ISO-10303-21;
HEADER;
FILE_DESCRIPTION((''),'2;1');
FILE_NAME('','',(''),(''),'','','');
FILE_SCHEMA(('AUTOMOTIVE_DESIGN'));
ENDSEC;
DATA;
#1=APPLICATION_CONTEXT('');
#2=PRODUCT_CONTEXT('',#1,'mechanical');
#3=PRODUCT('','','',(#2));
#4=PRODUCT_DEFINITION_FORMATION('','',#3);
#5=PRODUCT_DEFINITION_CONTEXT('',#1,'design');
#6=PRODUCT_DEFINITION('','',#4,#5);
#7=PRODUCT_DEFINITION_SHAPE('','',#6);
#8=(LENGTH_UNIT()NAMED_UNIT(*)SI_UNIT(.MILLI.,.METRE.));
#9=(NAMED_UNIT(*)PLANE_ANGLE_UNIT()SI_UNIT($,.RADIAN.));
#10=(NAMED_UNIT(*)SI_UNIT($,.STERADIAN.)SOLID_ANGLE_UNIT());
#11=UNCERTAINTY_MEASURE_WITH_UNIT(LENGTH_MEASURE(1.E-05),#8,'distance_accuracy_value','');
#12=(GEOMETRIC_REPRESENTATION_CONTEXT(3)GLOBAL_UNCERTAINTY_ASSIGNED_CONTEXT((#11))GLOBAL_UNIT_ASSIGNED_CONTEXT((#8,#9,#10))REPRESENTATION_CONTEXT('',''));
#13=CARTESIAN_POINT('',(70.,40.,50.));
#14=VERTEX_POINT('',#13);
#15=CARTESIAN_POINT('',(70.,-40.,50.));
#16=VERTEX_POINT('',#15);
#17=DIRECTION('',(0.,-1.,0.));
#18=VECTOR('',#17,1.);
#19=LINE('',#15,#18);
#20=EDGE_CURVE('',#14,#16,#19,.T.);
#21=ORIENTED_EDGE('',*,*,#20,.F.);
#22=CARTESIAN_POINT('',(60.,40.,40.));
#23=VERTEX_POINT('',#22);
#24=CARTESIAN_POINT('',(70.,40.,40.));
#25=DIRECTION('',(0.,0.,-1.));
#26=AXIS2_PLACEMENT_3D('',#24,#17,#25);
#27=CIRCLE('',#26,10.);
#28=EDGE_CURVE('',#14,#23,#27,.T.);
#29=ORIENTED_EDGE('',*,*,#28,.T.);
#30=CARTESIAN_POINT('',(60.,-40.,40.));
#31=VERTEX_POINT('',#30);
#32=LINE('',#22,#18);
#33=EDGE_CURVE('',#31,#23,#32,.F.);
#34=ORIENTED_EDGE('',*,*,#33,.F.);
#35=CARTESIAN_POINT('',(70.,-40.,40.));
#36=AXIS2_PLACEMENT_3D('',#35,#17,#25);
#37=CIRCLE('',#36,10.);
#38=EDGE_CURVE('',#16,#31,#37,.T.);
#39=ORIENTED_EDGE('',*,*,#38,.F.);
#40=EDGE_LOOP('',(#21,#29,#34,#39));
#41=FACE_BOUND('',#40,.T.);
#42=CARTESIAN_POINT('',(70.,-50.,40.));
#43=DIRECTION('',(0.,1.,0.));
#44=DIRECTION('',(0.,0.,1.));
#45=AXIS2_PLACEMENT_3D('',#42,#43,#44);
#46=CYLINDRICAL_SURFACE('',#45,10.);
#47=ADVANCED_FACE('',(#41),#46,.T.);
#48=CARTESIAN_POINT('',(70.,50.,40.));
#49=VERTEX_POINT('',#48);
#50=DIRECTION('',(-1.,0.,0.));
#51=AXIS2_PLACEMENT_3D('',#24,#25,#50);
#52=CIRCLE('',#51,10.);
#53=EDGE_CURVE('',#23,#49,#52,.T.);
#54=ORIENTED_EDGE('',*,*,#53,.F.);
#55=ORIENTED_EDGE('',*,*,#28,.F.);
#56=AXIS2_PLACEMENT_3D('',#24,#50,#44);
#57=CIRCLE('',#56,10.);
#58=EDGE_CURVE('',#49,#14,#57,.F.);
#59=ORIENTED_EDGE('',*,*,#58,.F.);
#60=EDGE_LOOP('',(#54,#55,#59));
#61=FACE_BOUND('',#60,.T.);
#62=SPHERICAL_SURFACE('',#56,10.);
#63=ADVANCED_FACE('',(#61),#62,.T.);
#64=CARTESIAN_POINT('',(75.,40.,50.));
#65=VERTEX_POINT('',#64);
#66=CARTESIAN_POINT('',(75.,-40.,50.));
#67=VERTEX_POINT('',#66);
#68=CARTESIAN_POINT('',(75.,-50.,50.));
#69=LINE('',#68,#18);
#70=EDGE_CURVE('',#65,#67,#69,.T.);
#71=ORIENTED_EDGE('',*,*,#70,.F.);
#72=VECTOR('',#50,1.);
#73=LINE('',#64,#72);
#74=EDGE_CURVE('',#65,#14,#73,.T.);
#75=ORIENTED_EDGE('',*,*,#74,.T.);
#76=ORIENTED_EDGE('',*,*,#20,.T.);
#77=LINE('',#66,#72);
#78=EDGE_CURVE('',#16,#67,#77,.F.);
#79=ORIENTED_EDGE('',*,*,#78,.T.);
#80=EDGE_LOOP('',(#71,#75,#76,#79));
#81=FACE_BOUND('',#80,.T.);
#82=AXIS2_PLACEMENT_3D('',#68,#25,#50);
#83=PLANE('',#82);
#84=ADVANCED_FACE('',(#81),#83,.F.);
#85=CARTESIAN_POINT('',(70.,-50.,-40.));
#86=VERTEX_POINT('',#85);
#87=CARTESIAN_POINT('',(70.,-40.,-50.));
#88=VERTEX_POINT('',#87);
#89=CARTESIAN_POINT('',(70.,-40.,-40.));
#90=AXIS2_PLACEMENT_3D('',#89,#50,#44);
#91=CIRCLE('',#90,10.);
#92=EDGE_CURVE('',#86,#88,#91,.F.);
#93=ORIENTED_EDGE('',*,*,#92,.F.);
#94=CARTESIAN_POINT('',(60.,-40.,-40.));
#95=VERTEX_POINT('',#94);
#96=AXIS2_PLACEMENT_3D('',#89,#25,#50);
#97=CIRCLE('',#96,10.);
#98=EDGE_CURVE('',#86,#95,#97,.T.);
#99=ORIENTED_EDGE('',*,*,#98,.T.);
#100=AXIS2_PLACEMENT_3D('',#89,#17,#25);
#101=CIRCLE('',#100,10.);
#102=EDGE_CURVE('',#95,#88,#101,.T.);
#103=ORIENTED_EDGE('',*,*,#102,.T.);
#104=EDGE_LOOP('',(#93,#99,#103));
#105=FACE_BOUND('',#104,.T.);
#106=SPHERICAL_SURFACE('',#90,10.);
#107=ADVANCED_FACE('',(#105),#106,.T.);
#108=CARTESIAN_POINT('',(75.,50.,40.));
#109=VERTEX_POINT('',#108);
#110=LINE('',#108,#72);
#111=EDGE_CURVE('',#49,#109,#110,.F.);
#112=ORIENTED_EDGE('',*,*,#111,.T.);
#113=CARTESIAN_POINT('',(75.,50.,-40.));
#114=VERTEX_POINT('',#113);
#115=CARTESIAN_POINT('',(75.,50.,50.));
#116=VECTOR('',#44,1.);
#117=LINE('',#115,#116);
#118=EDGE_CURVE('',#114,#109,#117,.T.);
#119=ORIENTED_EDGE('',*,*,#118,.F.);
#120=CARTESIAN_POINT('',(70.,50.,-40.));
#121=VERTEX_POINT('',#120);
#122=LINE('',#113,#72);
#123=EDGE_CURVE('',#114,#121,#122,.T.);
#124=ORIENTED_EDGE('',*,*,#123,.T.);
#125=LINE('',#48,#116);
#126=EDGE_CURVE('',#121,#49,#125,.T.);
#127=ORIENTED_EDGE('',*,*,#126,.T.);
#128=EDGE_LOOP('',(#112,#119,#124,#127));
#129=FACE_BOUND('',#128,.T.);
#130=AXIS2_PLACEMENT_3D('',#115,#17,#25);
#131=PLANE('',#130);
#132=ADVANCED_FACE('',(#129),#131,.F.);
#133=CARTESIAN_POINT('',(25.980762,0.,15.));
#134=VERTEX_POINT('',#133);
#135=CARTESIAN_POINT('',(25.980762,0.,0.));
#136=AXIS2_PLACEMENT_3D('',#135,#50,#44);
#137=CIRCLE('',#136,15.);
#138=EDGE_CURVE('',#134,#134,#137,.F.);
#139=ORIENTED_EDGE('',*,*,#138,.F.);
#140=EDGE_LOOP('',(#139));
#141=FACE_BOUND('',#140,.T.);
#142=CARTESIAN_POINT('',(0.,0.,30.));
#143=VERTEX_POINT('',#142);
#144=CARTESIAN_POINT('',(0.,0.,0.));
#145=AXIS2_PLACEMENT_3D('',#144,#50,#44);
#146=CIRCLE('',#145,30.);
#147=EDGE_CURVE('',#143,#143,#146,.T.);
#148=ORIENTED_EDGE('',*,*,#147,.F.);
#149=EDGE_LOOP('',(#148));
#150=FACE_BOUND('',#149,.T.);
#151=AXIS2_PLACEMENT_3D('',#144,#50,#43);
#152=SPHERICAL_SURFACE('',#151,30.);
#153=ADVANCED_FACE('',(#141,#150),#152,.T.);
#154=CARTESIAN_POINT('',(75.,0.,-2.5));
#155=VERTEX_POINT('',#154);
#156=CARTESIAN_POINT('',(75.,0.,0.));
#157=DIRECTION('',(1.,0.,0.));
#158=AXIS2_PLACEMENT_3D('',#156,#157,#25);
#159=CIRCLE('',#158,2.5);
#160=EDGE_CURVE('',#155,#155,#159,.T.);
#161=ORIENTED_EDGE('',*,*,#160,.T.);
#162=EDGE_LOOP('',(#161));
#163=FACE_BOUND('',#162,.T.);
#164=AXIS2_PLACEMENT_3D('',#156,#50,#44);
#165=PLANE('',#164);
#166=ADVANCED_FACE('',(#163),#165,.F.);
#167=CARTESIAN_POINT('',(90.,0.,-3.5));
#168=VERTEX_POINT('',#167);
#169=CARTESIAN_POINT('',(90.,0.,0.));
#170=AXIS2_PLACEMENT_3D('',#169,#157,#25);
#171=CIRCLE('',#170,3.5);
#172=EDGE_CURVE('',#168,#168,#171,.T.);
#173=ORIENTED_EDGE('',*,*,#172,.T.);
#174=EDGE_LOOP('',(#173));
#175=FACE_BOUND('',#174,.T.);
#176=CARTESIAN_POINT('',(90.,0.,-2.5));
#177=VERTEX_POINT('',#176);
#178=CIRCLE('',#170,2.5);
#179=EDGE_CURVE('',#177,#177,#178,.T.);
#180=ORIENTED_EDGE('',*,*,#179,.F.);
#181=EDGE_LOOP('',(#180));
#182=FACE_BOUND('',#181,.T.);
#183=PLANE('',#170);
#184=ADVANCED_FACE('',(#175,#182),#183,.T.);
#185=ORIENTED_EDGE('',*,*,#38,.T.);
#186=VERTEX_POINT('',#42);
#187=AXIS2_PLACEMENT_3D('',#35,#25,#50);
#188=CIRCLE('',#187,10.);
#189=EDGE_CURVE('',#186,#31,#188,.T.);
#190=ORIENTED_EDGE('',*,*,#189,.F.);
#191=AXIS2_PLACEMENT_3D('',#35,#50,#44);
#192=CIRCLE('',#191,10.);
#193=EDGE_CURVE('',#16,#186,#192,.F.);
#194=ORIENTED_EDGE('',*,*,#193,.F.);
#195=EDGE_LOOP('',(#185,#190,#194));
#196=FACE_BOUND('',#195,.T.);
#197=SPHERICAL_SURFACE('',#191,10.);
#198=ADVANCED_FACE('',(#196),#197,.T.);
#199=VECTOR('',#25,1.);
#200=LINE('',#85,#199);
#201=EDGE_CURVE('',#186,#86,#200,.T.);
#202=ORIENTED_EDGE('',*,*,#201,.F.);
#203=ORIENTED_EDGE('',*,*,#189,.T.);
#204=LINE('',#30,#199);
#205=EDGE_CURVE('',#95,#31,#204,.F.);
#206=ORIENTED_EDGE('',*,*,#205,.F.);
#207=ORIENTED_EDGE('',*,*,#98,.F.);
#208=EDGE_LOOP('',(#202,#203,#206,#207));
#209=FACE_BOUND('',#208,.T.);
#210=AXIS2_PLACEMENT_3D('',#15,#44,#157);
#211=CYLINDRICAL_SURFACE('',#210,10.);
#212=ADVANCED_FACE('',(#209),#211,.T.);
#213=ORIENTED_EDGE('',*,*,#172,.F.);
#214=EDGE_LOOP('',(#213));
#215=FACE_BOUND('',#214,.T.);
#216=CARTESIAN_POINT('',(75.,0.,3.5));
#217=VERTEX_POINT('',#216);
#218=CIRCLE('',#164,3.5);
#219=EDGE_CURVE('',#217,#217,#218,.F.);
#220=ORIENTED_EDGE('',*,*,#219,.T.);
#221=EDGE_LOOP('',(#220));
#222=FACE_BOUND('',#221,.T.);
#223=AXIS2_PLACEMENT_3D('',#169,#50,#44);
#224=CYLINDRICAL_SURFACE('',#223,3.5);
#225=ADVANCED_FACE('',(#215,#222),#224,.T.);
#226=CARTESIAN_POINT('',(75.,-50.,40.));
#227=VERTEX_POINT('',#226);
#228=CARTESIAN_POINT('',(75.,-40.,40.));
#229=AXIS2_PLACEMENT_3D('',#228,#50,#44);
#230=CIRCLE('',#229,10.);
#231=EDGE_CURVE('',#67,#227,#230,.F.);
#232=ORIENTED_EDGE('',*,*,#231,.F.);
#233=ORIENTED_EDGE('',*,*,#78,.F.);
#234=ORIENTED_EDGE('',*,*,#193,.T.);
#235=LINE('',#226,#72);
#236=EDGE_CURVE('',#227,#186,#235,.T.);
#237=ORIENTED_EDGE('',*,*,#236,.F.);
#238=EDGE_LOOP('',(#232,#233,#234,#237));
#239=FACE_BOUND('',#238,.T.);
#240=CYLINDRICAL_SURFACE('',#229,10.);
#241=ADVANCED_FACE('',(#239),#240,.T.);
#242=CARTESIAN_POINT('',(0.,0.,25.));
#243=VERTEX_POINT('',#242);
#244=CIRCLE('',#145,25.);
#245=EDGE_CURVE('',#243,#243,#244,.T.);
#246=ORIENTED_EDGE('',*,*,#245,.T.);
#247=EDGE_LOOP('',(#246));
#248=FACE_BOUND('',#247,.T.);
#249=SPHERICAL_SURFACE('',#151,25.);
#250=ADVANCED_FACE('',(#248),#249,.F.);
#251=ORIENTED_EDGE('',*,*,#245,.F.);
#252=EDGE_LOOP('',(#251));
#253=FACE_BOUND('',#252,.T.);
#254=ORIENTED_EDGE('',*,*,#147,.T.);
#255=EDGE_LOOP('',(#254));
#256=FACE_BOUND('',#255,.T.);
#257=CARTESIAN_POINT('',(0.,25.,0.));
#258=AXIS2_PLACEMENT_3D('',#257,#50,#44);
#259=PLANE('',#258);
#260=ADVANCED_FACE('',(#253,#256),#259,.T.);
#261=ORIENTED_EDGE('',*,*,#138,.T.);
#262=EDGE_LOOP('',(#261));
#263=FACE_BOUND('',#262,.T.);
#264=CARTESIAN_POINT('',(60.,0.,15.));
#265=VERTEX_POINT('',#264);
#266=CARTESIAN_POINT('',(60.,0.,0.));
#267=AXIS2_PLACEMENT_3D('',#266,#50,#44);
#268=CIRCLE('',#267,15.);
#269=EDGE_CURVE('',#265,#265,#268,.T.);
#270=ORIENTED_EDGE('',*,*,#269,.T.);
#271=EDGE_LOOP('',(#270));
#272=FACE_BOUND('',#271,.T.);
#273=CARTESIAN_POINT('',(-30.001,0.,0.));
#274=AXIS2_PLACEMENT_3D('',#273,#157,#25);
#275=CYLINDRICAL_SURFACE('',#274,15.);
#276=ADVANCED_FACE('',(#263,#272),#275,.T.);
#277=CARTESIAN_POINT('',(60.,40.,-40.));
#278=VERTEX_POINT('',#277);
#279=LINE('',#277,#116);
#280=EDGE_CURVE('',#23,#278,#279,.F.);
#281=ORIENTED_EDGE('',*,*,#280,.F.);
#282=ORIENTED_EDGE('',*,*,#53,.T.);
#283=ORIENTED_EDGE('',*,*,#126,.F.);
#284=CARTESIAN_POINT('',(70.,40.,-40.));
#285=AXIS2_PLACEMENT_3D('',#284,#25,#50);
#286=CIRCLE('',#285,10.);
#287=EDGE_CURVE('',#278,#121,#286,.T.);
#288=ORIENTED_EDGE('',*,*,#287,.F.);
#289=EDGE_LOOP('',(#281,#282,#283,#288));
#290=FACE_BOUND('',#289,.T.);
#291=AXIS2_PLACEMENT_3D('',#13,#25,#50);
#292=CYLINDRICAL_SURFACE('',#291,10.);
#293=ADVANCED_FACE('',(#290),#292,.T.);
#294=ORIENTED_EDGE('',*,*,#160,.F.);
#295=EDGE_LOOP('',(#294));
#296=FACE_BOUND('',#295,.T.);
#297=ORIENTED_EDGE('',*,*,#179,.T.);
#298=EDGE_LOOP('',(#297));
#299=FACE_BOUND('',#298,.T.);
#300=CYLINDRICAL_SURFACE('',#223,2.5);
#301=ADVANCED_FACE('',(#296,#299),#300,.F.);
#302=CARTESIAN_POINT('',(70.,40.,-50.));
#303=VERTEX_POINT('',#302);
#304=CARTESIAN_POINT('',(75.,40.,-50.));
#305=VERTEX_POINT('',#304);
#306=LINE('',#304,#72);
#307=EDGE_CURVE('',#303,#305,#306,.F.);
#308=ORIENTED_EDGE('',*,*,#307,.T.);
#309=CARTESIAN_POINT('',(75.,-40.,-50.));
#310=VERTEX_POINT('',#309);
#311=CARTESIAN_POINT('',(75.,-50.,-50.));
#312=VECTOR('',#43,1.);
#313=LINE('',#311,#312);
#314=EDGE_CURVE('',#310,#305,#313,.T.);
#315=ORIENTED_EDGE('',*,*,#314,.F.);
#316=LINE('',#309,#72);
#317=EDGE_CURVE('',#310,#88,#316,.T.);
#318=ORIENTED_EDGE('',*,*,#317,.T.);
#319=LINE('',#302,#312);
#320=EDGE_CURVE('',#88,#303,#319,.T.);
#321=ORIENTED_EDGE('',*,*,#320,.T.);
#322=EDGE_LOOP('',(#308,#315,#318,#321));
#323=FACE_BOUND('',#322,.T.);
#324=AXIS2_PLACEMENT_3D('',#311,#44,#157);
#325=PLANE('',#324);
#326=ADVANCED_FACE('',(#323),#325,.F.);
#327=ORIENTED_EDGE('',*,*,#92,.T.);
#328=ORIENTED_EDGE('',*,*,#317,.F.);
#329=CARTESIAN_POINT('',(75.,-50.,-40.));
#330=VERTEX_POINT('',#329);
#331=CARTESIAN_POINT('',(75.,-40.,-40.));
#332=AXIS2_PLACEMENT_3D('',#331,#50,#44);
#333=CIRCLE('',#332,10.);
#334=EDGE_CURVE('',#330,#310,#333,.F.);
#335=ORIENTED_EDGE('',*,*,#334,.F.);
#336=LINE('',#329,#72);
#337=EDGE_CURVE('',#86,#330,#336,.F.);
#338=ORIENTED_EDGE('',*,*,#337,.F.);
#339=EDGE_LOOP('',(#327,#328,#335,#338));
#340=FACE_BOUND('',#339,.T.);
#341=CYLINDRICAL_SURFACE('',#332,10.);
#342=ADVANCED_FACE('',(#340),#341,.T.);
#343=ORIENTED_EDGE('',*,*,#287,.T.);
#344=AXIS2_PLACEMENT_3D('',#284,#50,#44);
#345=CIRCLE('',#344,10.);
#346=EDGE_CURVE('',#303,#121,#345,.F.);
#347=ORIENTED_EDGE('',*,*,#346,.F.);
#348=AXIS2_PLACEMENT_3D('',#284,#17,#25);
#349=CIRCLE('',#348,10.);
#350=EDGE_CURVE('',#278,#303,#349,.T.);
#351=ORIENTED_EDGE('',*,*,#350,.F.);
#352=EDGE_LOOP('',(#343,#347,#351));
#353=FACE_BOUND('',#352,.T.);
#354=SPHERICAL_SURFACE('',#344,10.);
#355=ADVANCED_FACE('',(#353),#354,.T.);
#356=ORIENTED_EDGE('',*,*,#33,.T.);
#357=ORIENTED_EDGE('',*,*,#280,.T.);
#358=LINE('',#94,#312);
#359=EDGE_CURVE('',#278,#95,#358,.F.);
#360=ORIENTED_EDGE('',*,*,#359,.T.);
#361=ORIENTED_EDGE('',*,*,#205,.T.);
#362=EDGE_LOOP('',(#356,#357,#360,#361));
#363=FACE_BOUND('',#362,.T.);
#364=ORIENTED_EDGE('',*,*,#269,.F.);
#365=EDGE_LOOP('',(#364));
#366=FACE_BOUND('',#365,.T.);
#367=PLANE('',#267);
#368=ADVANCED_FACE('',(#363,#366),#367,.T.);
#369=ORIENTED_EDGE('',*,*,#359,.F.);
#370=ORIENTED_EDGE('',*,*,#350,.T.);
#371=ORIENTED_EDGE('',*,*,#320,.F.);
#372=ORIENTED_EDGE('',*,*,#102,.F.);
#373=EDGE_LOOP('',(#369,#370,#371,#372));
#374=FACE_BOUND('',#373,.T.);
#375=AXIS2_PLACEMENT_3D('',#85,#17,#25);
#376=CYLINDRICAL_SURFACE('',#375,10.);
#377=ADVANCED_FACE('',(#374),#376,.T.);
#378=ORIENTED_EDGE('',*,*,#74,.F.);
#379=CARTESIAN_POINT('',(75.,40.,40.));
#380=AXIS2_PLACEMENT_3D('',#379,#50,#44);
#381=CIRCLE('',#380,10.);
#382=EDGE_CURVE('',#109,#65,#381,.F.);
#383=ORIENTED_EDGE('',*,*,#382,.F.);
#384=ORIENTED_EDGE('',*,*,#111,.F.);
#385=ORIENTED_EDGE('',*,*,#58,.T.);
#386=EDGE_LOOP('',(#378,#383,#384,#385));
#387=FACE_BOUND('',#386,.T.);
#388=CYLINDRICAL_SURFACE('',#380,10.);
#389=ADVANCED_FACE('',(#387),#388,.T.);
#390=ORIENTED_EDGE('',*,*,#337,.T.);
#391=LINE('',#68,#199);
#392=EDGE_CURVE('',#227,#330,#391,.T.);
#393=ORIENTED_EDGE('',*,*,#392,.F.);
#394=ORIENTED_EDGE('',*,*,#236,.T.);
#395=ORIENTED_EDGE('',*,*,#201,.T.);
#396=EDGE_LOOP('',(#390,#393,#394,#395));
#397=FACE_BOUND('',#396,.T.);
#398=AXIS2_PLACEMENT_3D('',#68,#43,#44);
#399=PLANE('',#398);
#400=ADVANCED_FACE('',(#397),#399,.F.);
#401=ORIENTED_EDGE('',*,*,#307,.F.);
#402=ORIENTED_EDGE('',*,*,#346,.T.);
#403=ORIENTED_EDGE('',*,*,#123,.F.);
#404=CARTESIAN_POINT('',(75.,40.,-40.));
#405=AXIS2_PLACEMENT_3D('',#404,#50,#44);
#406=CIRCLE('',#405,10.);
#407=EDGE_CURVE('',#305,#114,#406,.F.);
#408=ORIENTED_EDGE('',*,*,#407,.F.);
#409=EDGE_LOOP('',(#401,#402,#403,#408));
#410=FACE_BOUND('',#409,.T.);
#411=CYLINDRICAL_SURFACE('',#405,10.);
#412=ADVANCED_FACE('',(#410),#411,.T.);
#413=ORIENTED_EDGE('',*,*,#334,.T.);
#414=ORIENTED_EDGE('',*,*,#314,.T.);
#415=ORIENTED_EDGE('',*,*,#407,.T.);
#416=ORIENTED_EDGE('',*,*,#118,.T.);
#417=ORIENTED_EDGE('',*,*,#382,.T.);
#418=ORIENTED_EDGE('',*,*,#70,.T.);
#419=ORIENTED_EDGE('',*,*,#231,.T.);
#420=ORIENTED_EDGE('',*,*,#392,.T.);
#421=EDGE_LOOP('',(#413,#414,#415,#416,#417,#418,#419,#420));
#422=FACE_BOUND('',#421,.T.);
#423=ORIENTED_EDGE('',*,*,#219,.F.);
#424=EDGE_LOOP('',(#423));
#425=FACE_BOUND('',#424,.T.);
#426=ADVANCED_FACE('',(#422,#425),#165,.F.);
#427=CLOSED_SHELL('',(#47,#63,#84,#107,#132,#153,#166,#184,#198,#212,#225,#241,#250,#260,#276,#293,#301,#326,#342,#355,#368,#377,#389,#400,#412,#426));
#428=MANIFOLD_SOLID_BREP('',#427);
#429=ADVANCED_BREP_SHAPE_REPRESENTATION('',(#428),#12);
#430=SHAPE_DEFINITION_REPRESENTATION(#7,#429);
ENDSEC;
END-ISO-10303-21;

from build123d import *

# Parameters (mm, degrees)
SALIENTE_EXTRUIR1_START             = -40
CROQUIS3_R                          = 15
SALIENTE_EXTRUIR1_DEPTH             = 20
SALIENTE_EXTRUIR1_DIRECTION_2_REACH = 93.962
CROQUIS4_W                          = 100
CROQUIS4_H                          = 100
SALIENTE_EXTRUIR2_DEPTH             = 15
REDONDEO1_R                         = 10
REDONDEO2_R                         = 10
CROQUIS5_R                          = 3.5
CROQUIS5_R_2                        = 2.5
SALIENTE_EXTRUIR3_DEPTH             = 15


with BuildPart() as part:
    # Croquis2 → Revolución-Lámina1 (revolve)
    with BuildSketch(Plane.XY):
        with BuildLine():
            ThreePointArc((25, 0), (17.67766953, 17.67766953), (0, 25))
            Line((0, 25), (0, 30))
            ThreePointArc((0, 30), (21.213203436, 21.213203436), (30, 0))
            Line((30, 0), (25, 0))
        make_face()
    revolve(axis=Axis((0, 0, 0), (1, 0, 0)))

    # Croquis3 → Saliente-Extruir1 (add)
    with BuildSketch(Plane.ZY.offset(SALIENTE_EXTRUIR1_START)):
        Circle(CROQUIS3_R)
    extrude(amount=-SALIENTE_EXTRUIR1_DEPTH)

    # Croquis3 → Saliente-Extruir1 direction 2 (add, up to next)
    with BuildSketch(Plane.ZY.offset(SALIENTE_EXTRUIR1_START), mode=Mode.PRIVATE) as saliente_extruir1_direction_2_sk1:
        Circle(CROQUIS3_R)
    saliente_extruir1_direction_2_tool1 = extrude(saliente_extruir1_direction_2_sk1.sketch, amount=SALIENTE_EXTRUIR1_DIRECTION_2_REACH, mode=Mode.PRIVATE) - part.part
    add(saliente_extruir1_direction_2_tool1.solids().sort_by_distance((40, 0, 0))[0])

    # Croquis4 → Saliente-Extruir2 (add)
    with BuildSketch(Plane(origin=(60, 0, 0), x_dir=(0, 0, -1), z_dir=(1, 0, 0))):
        Rectangle(CROQUIS4_W, CROQUIS4_H)
    extrude(amount=SALIENTE_EXTRUIR2_DEPTH)

    # Redondeo1
    redondeo1_edges = [part.edges().sort_by_distance(p)[0] for p in [
        (67.5, -50, -50),
        (67.5, 50, -50),
        (67.5, 50, 50),
        (67.5, -50, 50),
    ]]
    fillet(redondeo1_edges, radius=REDONDEO1_R)

    # Redondeo2
    redondeo2_edges = [part.edges().sort_by_distance(p)[0] for p in [
        (60, 0, -50),
        (60, -50, 0),
        (60, 0, 50),
        (60, 50, 0),
        (60, 47.071067812, -47.071067812),
        (60, 47.071067812, 47.071067812),
        (60, -47.071067812, 47.071067812),
        (60, -47.071067812, -47.071067812),
    ]]
    fillet(redondeo2_edges, radius=REDONDEO2_R)

    # Croquis5 → Saliente-Extruir3 (add)
    with BuildSketch(Plane(origin=(75, 0, 0), x_dir=(0, 0, -1), z_dir=(1, 0, 0))):
        with Locations(Location((0, 0, 0), (0, 0, 180))):
            Circle(CROQUIS5_R)
        Circle(CROQUIS5_R_2, mode=Mode.SUBTRACT)
    extrude(amount=SALIENTE_EXTRUIR3_DEPTH)


solid = part.part
